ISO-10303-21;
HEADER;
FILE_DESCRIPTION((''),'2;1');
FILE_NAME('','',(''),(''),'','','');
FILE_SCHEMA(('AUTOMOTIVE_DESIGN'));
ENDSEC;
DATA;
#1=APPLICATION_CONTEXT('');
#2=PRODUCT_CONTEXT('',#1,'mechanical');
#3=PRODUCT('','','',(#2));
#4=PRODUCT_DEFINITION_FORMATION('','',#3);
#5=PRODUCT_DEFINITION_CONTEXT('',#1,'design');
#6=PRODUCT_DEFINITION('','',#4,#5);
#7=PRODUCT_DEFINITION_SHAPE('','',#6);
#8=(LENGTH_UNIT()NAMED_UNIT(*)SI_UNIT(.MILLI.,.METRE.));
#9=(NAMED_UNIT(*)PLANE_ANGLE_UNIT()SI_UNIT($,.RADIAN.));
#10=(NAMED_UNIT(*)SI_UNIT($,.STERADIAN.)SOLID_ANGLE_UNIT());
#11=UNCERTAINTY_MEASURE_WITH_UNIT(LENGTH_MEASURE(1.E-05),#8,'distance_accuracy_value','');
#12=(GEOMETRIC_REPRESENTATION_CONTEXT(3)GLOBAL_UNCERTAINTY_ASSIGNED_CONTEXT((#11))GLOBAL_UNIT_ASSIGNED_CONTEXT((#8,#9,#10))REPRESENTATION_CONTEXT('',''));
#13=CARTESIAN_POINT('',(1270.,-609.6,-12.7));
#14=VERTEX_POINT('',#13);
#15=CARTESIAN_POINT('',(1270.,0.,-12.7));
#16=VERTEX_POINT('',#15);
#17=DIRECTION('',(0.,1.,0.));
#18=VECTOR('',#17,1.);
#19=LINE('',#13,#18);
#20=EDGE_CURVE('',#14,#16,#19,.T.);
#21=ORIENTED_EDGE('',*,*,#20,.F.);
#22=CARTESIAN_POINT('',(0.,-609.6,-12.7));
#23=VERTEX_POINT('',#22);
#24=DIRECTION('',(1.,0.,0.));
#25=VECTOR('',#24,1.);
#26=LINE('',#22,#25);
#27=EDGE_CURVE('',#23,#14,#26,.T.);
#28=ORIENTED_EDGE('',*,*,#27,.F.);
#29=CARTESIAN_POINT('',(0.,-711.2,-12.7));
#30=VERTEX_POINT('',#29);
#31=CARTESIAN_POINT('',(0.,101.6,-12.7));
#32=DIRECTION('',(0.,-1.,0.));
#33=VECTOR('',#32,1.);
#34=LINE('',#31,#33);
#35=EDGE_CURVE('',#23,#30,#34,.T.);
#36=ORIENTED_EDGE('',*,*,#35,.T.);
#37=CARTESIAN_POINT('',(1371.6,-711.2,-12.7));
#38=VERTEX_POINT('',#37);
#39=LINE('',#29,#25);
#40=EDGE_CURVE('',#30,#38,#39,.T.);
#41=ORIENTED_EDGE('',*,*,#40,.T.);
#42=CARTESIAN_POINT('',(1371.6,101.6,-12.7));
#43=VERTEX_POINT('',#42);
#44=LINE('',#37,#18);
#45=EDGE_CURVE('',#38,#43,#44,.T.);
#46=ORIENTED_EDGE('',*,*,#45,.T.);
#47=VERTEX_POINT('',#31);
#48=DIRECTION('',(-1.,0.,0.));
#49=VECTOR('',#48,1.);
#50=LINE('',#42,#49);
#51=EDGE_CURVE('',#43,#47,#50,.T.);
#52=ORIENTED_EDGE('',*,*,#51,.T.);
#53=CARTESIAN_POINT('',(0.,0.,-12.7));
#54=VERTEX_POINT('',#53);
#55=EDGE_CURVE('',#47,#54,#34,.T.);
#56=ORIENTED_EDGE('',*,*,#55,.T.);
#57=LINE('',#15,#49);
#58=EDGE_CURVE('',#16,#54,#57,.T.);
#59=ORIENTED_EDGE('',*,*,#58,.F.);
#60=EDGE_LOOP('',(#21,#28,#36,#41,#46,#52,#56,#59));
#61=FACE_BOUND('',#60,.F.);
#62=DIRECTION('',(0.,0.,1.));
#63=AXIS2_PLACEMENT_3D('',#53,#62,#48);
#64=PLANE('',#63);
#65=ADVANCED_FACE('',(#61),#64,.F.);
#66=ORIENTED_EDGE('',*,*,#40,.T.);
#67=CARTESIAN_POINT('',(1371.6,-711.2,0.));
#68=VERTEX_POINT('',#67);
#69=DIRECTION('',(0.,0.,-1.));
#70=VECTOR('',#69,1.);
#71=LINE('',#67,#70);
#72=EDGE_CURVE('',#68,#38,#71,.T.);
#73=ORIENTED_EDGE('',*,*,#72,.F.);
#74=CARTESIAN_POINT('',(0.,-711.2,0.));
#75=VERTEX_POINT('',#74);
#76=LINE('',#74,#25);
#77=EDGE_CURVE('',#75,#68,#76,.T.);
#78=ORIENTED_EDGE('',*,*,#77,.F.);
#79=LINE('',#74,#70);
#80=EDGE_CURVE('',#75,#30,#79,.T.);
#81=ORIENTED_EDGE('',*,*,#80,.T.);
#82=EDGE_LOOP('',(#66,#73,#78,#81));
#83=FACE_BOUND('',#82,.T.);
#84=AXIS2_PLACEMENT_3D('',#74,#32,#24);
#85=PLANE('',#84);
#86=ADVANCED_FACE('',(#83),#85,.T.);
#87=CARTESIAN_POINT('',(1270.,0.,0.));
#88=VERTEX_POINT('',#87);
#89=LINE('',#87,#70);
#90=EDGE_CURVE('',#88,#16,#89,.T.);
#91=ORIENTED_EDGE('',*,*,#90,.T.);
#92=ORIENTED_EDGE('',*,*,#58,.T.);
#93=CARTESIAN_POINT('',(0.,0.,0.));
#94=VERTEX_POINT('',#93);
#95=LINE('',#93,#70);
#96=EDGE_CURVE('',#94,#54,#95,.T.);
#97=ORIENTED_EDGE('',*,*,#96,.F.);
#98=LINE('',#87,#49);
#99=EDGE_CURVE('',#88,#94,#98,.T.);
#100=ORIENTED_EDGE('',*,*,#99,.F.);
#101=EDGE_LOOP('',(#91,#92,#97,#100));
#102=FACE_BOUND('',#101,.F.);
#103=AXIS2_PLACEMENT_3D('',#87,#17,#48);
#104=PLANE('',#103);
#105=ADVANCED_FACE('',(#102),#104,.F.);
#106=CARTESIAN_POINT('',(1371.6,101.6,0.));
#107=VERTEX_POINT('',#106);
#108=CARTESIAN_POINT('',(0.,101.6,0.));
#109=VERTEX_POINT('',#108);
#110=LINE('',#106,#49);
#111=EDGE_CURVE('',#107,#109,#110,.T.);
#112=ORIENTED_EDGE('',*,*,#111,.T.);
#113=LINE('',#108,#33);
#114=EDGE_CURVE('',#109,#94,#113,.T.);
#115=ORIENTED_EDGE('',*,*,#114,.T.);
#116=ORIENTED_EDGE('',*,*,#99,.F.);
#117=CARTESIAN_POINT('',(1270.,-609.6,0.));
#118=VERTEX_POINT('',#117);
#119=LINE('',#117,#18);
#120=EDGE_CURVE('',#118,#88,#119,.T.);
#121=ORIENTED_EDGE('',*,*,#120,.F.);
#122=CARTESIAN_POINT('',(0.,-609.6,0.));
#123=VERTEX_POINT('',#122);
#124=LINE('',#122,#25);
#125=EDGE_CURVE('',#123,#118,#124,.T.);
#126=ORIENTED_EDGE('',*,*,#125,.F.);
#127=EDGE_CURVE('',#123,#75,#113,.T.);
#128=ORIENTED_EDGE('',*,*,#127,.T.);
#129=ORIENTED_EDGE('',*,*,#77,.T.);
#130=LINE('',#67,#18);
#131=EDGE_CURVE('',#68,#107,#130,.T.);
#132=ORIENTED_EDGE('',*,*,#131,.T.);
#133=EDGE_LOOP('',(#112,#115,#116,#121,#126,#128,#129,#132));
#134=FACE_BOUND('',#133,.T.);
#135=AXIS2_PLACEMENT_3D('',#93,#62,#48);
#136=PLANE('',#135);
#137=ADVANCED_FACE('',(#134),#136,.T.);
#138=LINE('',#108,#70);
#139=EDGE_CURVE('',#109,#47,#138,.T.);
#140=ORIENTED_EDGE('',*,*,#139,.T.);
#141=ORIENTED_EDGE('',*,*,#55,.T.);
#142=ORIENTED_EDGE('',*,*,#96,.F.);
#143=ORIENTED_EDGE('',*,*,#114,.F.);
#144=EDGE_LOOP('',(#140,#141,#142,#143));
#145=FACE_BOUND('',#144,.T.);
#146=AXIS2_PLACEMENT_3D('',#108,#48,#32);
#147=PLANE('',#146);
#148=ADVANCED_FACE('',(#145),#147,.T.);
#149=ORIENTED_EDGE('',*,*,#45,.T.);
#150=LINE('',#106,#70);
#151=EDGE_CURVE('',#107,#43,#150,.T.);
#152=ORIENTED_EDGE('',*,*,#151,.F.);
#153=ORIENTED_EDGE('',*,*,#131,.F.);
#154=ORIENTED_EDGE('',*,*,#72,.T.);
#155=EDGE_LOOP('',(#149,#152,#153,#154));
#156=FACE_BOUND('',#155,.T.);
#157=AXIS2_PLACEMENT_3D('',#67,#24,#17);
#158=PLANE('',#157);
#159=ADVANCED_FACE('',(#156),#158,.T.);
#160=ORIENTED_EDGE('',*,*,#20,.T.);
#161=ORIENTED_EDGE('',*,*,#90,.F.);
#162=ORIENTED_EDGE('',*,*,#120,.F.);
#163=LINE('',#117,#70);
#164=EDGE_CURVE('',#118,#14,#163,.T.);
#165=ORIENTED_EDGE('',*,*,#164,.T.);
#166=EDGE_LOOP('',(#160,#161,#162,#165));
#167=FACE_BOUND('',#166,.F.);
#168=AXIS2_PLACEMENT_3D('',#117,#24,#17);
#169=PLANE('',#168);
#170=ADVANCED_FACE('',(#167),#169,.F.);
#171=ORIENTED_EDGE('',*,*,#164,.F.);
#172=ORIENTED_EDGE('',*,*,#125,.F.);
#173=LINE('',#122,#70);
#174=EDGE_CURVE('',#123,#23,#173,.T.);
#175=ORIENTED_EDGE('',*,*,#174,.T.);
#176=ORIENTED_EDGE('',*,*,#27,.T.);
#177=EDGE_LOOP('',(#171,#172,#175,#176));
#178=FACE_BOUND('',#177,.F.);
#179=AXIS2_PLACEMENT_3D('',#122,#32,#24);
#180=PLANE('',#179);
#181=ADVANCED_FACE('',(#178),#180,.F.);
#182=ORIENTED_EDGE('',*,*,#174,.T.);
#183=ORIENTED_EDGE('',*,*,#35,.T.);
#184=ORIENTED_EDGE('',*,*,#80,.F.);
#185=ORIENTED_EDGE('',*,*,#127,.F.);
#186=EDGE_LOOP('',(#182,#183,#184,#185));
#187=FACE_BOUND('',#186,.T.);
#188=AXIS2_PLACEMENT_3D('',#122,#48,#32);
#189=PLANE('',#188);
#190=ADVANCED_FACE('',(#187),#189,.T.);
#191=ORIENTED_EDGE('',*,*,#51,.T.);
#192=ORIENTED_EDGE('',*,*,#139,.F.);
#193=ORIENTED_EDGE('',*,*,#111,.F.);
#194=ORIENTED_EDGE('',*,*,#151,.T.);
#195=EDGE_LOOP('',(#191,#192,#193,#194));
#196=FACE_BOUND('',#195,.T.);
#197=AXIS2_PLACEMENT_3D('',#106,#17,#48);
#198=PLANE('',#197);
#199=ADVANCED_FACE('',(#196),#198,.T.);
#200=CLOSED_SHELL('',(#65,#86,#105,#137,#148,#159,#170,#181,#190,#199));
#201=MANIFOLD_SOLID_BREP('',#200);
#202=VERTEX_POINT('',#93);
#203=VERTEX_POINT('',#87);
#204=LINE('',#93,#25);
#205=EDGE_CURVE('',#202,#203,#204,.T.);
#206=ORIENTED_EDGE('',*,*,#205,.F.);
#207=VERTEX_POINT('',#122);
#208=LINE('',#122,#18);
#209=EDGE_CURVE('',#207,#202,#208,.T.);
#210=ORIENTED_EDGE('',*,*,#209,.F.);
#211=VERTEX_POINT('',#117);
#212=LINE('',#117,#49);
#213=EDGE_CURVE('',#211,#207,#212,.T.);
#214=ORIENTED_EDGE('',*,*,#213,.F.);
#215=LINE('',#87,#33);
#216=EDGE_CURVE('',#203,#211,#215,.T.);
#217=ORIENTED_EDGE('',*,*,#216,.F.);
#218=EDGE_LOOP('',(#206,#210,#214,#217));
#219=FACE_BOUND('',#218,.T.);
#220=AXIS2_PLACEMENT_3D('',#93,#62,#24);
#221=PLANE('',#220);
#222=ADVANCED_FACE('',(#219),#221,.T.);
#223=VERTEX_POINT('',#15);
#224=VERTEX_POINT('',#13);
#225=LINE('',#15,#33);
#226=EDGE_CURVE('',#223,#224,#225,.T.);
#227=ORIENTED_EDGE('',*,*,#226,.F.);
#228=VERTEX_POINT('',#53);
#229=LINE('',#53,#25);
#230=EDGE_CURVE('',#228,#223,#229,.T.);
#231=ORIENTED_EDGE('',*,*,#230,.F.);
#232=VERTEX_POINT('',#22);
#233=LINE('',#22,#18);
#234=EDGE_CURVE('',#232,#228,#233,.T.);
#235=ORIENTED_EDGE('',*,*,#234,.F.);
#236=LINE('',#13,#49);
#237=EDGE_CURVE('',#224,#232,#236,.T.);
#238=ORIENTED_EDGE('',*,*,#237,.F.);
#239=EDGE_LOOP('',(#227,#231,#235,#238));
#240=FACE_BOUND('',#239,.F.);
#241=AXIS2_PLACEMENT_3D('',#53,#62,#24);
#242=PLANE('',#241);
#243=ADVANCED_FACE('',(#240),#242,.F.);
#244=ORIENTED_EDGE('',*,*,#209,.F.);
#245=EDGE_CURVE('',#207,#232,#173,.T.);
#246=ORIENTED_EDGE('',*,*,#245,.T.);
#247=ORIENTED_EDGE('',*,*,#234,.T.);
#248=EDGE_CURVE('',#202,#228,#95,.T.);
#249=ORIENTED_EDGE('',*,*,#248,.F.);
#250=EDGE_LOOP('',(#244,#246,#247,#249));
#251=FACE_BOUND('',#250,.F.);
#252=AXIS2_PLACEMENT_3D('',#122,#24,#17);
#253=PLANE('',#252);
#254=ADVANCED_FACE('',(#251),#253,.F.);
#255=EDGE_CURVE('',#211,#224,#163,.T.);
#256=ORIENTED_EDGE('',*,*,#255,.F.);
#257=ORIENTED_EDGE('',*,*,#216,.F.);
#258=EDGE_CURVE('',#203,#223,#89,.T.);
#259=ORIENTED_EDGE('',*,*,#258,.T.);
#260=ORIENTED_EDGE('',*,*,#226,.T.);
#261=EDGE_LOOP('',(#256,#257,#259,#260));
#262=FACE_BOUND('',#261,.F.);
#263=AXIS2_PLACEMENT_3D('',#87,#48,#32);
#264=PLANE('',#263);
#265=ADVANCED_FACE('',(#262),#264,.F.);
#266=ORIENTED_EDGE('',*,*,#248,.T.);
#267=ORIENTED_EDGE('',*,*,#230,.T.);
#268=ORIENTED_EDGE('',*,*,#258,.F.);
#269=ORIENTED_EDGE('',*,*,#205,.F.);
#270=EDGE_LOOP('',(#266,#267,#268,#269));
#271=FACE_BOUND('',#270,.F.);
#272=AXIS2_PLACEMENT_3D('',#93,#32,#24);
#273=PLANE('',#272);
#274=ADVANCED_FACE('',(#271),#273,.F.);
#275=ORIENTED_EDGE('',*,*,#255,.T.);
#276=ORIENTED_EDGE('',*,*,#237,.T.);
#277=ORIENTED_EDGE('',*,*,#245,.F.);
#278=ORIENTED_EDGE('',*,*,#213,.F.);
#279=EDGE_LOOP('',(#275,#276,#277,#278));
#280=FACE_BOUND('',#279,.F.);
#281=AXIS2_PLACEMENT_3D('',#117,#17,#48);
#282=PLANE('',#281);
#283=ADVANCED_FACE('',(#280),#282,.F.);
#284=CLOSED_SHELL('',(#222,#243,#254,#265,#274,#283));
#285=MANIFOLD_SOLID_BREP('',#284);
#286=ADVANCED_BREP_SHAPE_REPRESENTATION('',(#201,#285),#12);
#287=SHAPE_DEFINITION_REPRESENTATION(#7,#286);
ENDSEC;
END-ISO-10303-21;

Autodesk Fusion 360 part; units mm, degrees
sketch "Sketch1" plane through (0, 0, 0) normal (0, 0, 1) x (1, 0, 0)
  line L0 (0, 0) -> (1270, 0)
  line L1 (1270, 0) -> (1270, -609.6)
  line L2 (1270, -609.6) -> (0, -609.6)
  line L3 (0, -609.6) -> (0, 0)
  dimension "d1" = 1270
  dimension "d2" = 609.6
extrude "Extrude1" add sketch "Sketch1" against normal blind 12.7 makes body 1
sketch "Sketch2" plane through (0, 0, 0) normal (0, 0, 1) x (-1, 0, 0)
  line L0 (0, 609.6) -> (-1270, 609.6)
  line L1 (-1270, 609.6) -> (-1270, 0)
  line L2 (-1270, 0) -> (0, 0)
  line L3 (0, 0) -> (0, 609.6)
  line L4 (0, 711.2) -> (-1371.6, 711.2)
  line L5 (-1371.6, 711.2) -> (-1371.6, -101.6)
  line L6 (-1371.6, -101.6) -> (0, -101.6)
  line L7 (0, -101.6) -> (0, 711.2)
  dimension "d5" = 101.6
extrude "Extrude1'" add sketch "Sketch2" against normal blind 12.7 separate body contours L0 L1 L2 L4 L5 L6 L7 makes body 2 in component "Component"
copy_body "CutPasteBodies1" bodies 1 removing the originals makes body 3 in component "Component"
component "Component" placed x (1, 0, 0) y (0, 1, 0) z (0, 0, 1) at (0, 0, 0)
